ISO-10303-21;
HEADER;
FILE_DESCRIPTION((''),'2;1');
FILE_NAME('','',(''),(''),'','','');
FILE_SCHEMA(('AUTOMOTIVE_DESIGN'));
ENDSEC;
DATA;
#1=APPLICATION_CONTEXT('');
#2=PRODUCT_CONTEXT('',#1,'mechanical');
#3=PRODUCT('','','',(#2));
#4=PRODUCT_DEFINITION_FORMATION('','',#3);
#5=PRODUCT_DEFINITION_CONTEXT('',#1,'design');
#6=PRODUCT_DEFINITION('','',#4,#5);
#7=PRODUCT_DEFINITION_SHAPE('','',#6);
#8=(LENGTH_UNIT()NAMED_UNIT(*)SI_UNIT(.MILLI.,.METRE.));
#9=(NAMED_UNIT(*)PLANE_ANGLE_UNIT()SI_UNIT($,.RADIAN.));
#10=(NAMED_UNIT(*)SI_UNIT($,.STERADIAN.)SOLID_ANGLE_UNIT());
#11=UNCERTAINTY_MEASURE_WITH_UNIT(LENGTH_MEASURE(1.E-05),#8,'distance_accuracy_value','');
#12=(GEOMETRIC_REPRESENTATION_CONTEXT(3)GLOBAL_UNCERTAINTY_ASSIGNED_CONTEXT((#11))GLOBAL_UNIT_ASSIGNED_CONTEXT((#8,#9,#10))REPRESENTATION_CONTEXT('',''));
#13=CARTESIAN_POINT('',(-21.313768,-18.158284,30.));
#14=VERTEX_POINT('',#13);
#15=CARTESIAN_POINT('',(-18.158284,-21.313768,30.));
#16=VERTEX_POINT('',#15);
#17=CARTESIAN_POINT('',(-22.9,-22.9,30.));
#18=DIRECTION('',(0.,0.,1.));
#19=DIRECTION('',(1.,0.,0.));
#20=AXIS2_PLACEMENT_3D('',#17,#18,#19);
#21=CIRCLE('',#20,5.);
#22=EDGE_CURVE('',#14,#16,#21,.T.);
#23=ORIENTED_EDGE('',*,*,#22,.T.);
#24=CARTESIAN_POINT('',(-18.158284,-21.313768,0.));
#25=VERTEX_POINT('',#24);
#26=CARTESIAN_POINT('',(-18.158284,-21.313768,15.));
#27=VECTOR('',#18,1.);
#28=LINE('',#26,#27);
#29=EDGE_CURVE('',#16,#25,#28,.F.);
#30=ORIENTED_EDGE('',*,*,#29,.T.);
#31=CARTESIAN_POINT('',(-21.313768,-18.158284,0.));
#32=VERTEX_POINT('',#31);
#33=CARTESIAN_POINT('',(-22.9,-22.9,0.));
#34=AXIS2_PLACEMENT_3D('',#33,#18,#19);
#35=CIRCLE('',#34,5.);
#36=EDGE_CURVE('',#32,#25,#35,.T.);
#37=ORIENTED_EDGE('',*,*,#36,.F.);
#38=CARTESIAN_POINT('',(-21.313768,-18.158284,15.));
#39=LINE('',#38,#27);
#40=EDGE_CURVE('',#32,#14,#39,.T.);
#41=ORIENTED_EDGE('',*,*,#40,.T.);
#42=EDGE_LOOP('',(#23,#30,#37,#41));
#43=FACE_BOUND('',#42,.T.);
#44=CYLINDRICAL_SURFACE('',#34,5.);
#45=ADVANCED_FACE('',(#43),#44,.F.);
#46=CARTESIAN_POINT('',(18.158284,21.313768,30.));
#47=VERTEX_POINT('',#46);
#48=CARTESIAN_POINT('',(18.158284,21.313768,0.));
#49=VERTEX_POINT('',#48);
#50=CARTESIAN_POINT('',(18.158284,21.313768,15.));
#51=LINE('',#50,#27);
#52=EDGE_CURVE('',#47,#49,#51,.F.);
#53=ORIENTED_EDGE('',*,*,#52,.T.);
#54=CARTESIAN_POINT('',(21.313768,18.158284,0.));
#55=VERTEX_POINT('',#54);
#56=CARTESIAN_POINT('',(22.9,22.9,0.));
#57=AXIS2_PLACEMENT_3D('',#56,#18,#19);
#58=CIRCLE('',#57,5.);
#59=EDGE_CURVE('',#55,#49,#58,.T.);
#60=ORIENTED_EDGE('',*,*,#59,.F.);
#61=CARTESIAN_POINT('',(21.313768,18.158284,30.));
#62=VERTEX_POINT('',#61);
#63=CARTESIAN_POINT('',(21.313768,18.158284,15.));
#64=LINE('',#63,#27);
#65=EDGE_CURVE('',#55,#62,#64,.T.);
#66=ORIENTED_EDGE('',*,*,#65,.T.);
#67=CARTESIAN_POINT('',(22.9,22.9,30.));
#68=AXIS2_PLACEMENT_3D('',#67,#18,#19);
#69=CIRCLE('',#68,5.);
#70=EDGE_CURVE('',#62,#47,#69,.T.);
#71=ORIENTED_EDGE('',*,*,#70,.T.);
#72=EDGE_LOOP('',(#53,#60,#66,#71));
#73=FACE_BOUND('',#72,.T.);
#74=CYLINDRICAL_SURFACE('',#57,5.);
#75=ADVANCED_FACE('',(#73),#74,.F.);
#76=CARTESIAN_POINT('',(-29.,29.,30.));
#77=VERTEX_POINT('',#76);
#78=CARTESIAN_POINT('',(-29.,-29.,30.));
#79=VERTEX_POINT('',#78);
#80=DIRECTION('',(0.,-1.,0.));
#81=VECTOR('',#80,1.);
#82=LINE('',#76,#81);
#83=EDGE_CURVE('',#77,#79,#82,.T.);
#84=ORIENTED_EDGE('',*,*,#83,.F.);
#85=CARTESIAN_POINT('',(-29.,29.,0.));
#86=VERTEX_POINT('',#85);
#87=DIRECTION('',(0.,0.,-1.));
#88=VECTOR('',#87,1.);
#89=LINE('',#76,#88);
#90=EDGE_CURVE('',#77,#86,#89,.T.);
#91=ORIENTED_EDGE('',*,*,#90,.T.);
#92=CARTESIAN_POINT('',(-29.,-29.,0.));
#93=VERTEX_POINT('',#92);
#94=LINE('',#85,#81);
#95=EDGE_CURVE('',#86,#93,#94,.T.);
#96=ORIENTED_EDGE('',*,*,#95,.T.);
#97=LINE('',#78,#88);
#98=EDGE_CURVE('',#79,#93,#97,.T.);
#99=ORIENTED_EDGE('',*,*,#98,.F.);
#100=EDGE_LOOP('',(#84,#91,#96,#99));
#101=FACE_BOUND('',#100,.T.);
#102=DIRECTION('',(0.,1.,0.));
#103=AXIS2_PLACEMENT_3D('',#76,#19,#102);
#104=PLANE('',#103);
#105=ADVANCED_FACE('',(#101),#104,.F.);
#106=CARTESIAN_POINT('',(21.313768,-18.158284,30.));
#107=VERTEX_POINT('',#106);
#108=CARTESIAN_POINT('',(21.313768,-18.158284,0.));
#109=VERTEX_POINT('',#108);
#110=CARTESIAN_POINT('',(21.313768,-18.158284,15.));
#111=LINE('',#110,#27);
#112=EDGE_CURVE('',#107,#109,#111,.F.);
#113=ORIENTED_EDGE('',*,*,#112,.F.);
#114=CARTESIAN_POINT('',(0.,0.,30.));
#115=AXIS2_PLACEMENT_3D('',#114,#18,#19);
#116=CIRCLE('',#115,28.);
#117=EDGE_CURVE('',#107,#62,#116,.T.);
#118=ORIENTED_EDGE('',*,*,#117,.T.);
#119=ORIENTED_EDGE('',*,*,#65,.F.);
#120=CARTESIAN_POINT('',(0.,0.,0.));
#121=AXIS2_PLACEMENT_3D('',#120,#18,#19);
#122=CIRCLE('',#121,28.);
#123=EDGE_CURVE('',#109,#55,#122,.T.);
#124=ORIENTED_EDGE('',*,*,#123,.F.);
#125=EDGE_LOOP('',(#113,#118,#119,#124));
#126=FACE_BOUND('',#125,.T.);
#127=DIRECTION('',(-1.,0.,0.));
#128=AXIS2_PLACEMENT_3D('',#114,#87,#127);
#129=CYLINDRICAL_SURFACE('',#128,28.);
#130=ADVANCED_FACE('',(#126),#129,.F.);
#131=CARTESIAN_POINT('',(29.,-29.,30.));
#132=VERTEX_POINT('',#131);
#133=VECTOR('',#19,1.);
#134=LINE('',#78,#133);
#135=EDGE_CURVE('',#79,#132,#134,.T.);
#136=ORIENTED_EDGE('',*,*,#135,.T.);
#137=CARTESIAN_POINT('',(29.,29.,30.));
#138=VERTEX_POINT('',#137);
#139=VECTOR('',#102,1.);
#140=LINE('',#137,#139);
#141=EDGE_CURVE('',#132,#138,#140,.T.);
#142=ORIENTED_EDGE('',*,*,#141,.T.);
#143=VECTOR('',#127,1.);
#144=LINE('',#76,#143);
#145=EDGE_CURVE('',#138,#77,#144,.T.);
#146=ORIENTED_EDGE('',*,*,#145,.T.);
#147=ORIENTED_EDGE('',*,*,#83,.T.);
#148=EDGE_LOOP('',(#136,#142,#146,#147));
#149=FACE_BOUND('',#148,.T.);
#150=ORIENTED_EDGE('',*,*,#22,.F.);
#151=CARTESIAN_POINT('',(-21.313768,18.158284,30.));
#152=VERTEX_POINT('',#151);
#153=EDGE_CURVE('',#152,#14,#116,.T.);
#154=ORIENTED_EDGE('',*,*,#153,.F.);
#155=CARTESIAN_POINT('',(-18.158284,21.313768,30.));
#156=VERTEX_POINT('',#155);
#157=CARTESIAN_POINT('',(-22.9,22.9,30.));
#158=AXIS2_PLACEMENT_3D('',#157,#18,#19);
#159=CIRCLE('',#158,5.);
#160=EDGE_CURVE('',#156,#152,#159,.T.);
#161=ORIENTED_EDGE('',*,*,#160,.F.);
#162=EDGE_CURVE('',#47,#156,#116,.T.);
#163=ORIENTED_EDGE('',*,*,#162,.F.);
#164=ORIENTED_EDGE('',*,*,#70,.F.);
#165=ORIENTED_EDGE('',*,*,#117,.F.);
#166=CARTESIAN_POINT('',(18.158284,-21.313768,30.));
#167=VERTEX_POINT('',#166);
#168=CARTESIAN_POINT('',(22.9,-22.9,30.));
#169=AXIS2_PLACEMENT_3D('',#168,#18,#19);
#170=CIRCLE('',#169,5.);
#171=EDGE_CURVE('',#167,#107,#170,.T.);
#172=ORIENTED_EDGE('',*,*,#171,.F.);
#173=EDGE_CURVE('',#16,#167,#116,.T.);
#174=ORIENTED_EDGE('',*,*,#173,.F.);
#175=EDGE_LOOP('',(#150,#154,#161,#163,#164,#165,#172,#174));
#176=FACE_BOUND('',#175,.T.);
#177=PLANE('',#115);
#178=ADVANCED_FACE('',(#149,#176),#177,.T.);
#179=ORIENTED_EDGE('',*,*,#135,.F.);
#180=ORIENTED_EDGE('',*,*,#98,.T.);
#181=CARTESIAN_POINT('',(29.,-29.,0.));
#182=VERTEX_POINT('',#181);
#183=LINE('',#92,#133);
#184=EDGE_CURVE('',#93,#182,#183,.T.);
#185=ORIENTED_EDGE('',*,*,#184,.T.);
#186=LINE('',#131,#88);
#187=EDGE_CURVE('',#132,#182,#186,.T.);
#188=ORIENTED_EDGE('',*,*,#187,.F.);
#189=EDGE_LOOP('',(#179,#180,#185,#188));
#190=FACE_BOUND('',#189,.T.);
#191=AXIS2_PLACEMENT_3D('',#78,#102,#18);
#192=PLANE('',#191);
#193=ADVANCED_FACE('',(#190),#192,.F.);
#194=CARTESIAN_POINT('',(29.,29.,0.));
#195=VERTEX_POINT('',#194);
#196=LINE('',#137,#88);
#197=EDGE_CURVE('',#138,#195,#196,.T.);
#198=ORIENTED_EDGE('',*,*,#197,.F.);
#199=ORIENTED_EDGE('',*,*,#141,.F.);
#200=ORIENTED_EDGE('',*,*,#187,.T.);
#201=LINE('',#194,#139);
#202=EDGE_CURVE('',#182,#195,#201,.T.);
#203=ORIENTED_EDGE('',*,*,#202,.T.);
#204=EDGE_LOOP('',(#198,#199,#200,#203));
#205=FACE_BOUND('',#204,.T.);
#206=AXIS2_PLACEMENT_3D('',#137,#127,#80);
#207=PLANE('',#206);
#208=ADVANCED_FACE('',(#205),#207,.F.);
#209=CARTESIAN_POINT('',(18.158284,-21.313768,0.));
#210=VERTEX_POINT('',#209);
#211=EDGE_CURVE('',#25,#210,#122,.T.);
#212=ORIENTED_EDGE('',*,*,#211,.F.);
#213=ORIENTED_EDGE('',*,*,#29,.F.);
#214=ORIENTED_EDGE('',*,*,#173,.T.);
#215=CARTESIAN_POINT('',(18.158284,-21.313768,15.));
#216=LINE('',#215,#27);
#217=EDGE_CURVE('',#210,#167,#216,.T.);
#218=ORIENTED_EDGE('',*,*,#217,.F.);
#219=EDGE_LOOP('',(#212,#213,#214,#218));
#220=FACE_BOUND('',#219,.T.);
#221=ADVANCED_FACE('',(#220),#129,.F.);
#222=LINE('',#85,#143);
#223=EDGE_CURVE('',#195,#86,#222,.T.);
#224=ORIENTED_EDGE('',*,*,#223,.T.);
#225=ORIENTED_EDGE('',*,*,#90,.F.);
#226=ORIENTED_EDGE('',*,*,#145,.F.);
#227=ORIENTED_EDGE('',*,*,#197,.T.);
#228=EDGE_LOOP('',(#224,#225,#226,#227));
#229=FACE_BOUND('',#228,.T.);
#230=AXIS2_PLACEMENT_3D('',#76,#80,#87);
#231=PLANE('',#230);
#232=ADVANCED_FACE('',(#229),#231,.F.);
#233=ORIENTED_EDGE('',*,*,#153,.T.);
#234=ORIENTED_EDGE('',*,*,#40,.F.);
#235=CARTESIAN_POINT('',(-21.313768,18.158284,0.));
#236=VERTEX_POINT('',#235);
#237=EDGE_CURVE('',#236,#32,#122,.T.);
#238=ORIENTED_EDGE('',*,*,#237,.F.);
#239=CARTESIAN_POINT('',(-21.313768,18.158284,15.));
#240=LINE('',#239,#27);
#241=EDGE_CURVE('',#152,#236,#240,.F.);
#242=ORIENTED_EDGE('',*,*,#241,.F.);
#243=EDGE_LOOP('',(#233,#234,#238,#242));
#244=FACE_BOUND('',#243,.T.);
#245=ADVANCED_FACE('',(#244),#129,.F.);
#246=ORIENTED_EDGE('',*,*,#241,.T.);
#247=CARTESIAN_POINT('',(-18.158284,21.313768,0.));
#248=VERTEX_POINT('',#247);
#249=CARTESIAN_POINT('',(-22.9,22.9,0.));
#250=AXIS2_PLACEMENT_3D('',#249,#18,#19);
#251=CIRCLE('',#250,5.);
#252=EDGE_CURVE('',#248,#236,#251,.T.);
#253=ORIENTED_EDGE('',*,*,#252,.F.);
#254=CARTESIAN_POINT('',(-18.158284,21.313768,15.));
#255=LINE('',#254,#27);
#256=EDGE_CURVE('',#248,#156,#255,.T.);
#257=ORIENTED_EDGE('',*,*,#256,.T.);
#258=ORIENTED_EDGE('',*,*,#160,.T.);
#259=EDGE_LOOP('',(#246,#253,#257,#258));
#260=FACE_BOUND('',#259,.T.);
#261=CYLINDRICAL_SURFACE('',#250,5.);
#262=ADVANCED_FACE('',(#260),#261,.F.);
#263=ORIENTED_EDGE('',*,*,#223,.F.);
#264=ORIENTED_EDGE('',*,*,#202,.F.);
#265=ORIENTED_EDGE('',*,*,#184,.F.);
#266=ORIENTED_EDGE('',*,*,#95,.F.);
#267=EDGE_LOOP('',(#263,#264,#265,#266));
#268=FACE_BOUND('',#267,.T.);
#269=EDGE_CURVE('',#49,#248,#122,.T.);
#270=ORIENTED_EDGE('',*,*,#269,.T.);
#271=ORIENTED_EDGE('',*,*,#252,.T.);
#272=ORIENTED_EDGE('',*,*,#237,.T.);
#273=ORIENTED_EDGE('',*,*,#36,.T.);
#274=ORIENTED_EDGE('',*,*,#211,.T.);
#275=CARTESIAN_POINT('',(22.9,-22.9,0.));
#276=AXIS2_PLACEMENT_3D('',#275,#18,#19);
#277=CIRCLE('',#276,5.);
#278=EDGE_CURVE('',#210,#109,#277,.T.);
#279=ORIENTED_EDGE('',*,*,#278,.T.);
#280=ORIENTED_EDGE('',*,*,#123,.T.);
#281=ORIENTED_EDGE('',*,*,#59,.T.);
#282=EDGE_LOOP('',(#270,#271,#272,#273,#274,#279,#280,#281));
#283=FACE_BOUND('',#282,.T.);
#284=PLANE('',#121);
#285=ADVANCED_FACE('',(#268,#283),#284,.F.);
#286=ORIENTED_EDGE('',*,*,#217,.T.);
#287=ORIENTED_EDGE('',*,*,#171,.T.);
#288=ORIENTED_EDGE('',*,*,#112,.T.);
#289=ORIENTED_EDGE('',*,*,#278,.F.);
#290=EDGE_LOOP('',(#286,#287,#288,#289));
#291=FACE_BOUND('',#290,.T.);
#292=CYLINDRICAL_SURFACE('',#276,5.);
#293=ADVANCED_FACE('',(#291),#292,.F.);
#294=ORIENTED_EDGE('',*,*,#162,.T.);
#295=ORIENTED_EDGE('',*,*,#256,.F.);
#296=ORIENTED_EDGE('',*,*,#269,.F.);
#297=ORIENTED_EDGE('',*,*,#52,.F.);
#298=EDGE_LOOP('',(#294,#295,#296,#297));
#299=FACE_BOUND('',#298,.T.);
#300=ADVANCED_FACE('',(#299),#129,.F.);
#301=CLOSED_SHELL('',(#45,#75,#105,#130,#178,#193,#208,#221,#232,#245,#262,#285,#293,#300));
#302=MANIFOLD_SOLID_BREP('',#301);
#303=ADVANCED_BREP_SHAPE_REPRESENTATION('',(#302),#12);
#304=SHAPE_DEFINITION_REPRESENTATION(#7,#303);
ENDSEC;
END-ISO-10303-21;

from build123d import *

# Parameters (mm, degrees)
SKETCH_1_W          = 58
SKETCH_1_H          = 58
SKETCH_1_R          = 28
EXTRUDE_1_DEPTH     = 30
SKETCH_2_R          = 5
CUT_EXTRUDE_1_DEPTH = 51.813384064


with BuildPart() as part:
    # 草图1 → 凸台-拉伸1 (new body)
    with BuildSketch(Plane.XY):
        Rectangle(SKETCH_1_W, SKETCH_1_H)
        Circle(SKETCH_1_R, mode=Mode.SUBTRACT)
    extrude(amount=EXTRUDE_1_DEPTH)

    # 草图2 → 切除-拉伸1 (cut, through all)
    with BuildSketch(Plane.XY.offset(30)):
        with Locations((22.9, 22.9)):
            Circle(SKETCH_2_R)
        with Locations((22.9, -22.9)):
            Circle(SKETCH_2_R)
        with Locations((-22.9, -22.9)):
            Circle(SKETCH_2_R)
        with Locations((-22.9, 22.9)):
            Circle(SKETCH_2_R)
    extrude(amount=-CUT_EXTRUDE_1_DEPTH, mode=Mode.SUBTRACT)


solid = part.part
